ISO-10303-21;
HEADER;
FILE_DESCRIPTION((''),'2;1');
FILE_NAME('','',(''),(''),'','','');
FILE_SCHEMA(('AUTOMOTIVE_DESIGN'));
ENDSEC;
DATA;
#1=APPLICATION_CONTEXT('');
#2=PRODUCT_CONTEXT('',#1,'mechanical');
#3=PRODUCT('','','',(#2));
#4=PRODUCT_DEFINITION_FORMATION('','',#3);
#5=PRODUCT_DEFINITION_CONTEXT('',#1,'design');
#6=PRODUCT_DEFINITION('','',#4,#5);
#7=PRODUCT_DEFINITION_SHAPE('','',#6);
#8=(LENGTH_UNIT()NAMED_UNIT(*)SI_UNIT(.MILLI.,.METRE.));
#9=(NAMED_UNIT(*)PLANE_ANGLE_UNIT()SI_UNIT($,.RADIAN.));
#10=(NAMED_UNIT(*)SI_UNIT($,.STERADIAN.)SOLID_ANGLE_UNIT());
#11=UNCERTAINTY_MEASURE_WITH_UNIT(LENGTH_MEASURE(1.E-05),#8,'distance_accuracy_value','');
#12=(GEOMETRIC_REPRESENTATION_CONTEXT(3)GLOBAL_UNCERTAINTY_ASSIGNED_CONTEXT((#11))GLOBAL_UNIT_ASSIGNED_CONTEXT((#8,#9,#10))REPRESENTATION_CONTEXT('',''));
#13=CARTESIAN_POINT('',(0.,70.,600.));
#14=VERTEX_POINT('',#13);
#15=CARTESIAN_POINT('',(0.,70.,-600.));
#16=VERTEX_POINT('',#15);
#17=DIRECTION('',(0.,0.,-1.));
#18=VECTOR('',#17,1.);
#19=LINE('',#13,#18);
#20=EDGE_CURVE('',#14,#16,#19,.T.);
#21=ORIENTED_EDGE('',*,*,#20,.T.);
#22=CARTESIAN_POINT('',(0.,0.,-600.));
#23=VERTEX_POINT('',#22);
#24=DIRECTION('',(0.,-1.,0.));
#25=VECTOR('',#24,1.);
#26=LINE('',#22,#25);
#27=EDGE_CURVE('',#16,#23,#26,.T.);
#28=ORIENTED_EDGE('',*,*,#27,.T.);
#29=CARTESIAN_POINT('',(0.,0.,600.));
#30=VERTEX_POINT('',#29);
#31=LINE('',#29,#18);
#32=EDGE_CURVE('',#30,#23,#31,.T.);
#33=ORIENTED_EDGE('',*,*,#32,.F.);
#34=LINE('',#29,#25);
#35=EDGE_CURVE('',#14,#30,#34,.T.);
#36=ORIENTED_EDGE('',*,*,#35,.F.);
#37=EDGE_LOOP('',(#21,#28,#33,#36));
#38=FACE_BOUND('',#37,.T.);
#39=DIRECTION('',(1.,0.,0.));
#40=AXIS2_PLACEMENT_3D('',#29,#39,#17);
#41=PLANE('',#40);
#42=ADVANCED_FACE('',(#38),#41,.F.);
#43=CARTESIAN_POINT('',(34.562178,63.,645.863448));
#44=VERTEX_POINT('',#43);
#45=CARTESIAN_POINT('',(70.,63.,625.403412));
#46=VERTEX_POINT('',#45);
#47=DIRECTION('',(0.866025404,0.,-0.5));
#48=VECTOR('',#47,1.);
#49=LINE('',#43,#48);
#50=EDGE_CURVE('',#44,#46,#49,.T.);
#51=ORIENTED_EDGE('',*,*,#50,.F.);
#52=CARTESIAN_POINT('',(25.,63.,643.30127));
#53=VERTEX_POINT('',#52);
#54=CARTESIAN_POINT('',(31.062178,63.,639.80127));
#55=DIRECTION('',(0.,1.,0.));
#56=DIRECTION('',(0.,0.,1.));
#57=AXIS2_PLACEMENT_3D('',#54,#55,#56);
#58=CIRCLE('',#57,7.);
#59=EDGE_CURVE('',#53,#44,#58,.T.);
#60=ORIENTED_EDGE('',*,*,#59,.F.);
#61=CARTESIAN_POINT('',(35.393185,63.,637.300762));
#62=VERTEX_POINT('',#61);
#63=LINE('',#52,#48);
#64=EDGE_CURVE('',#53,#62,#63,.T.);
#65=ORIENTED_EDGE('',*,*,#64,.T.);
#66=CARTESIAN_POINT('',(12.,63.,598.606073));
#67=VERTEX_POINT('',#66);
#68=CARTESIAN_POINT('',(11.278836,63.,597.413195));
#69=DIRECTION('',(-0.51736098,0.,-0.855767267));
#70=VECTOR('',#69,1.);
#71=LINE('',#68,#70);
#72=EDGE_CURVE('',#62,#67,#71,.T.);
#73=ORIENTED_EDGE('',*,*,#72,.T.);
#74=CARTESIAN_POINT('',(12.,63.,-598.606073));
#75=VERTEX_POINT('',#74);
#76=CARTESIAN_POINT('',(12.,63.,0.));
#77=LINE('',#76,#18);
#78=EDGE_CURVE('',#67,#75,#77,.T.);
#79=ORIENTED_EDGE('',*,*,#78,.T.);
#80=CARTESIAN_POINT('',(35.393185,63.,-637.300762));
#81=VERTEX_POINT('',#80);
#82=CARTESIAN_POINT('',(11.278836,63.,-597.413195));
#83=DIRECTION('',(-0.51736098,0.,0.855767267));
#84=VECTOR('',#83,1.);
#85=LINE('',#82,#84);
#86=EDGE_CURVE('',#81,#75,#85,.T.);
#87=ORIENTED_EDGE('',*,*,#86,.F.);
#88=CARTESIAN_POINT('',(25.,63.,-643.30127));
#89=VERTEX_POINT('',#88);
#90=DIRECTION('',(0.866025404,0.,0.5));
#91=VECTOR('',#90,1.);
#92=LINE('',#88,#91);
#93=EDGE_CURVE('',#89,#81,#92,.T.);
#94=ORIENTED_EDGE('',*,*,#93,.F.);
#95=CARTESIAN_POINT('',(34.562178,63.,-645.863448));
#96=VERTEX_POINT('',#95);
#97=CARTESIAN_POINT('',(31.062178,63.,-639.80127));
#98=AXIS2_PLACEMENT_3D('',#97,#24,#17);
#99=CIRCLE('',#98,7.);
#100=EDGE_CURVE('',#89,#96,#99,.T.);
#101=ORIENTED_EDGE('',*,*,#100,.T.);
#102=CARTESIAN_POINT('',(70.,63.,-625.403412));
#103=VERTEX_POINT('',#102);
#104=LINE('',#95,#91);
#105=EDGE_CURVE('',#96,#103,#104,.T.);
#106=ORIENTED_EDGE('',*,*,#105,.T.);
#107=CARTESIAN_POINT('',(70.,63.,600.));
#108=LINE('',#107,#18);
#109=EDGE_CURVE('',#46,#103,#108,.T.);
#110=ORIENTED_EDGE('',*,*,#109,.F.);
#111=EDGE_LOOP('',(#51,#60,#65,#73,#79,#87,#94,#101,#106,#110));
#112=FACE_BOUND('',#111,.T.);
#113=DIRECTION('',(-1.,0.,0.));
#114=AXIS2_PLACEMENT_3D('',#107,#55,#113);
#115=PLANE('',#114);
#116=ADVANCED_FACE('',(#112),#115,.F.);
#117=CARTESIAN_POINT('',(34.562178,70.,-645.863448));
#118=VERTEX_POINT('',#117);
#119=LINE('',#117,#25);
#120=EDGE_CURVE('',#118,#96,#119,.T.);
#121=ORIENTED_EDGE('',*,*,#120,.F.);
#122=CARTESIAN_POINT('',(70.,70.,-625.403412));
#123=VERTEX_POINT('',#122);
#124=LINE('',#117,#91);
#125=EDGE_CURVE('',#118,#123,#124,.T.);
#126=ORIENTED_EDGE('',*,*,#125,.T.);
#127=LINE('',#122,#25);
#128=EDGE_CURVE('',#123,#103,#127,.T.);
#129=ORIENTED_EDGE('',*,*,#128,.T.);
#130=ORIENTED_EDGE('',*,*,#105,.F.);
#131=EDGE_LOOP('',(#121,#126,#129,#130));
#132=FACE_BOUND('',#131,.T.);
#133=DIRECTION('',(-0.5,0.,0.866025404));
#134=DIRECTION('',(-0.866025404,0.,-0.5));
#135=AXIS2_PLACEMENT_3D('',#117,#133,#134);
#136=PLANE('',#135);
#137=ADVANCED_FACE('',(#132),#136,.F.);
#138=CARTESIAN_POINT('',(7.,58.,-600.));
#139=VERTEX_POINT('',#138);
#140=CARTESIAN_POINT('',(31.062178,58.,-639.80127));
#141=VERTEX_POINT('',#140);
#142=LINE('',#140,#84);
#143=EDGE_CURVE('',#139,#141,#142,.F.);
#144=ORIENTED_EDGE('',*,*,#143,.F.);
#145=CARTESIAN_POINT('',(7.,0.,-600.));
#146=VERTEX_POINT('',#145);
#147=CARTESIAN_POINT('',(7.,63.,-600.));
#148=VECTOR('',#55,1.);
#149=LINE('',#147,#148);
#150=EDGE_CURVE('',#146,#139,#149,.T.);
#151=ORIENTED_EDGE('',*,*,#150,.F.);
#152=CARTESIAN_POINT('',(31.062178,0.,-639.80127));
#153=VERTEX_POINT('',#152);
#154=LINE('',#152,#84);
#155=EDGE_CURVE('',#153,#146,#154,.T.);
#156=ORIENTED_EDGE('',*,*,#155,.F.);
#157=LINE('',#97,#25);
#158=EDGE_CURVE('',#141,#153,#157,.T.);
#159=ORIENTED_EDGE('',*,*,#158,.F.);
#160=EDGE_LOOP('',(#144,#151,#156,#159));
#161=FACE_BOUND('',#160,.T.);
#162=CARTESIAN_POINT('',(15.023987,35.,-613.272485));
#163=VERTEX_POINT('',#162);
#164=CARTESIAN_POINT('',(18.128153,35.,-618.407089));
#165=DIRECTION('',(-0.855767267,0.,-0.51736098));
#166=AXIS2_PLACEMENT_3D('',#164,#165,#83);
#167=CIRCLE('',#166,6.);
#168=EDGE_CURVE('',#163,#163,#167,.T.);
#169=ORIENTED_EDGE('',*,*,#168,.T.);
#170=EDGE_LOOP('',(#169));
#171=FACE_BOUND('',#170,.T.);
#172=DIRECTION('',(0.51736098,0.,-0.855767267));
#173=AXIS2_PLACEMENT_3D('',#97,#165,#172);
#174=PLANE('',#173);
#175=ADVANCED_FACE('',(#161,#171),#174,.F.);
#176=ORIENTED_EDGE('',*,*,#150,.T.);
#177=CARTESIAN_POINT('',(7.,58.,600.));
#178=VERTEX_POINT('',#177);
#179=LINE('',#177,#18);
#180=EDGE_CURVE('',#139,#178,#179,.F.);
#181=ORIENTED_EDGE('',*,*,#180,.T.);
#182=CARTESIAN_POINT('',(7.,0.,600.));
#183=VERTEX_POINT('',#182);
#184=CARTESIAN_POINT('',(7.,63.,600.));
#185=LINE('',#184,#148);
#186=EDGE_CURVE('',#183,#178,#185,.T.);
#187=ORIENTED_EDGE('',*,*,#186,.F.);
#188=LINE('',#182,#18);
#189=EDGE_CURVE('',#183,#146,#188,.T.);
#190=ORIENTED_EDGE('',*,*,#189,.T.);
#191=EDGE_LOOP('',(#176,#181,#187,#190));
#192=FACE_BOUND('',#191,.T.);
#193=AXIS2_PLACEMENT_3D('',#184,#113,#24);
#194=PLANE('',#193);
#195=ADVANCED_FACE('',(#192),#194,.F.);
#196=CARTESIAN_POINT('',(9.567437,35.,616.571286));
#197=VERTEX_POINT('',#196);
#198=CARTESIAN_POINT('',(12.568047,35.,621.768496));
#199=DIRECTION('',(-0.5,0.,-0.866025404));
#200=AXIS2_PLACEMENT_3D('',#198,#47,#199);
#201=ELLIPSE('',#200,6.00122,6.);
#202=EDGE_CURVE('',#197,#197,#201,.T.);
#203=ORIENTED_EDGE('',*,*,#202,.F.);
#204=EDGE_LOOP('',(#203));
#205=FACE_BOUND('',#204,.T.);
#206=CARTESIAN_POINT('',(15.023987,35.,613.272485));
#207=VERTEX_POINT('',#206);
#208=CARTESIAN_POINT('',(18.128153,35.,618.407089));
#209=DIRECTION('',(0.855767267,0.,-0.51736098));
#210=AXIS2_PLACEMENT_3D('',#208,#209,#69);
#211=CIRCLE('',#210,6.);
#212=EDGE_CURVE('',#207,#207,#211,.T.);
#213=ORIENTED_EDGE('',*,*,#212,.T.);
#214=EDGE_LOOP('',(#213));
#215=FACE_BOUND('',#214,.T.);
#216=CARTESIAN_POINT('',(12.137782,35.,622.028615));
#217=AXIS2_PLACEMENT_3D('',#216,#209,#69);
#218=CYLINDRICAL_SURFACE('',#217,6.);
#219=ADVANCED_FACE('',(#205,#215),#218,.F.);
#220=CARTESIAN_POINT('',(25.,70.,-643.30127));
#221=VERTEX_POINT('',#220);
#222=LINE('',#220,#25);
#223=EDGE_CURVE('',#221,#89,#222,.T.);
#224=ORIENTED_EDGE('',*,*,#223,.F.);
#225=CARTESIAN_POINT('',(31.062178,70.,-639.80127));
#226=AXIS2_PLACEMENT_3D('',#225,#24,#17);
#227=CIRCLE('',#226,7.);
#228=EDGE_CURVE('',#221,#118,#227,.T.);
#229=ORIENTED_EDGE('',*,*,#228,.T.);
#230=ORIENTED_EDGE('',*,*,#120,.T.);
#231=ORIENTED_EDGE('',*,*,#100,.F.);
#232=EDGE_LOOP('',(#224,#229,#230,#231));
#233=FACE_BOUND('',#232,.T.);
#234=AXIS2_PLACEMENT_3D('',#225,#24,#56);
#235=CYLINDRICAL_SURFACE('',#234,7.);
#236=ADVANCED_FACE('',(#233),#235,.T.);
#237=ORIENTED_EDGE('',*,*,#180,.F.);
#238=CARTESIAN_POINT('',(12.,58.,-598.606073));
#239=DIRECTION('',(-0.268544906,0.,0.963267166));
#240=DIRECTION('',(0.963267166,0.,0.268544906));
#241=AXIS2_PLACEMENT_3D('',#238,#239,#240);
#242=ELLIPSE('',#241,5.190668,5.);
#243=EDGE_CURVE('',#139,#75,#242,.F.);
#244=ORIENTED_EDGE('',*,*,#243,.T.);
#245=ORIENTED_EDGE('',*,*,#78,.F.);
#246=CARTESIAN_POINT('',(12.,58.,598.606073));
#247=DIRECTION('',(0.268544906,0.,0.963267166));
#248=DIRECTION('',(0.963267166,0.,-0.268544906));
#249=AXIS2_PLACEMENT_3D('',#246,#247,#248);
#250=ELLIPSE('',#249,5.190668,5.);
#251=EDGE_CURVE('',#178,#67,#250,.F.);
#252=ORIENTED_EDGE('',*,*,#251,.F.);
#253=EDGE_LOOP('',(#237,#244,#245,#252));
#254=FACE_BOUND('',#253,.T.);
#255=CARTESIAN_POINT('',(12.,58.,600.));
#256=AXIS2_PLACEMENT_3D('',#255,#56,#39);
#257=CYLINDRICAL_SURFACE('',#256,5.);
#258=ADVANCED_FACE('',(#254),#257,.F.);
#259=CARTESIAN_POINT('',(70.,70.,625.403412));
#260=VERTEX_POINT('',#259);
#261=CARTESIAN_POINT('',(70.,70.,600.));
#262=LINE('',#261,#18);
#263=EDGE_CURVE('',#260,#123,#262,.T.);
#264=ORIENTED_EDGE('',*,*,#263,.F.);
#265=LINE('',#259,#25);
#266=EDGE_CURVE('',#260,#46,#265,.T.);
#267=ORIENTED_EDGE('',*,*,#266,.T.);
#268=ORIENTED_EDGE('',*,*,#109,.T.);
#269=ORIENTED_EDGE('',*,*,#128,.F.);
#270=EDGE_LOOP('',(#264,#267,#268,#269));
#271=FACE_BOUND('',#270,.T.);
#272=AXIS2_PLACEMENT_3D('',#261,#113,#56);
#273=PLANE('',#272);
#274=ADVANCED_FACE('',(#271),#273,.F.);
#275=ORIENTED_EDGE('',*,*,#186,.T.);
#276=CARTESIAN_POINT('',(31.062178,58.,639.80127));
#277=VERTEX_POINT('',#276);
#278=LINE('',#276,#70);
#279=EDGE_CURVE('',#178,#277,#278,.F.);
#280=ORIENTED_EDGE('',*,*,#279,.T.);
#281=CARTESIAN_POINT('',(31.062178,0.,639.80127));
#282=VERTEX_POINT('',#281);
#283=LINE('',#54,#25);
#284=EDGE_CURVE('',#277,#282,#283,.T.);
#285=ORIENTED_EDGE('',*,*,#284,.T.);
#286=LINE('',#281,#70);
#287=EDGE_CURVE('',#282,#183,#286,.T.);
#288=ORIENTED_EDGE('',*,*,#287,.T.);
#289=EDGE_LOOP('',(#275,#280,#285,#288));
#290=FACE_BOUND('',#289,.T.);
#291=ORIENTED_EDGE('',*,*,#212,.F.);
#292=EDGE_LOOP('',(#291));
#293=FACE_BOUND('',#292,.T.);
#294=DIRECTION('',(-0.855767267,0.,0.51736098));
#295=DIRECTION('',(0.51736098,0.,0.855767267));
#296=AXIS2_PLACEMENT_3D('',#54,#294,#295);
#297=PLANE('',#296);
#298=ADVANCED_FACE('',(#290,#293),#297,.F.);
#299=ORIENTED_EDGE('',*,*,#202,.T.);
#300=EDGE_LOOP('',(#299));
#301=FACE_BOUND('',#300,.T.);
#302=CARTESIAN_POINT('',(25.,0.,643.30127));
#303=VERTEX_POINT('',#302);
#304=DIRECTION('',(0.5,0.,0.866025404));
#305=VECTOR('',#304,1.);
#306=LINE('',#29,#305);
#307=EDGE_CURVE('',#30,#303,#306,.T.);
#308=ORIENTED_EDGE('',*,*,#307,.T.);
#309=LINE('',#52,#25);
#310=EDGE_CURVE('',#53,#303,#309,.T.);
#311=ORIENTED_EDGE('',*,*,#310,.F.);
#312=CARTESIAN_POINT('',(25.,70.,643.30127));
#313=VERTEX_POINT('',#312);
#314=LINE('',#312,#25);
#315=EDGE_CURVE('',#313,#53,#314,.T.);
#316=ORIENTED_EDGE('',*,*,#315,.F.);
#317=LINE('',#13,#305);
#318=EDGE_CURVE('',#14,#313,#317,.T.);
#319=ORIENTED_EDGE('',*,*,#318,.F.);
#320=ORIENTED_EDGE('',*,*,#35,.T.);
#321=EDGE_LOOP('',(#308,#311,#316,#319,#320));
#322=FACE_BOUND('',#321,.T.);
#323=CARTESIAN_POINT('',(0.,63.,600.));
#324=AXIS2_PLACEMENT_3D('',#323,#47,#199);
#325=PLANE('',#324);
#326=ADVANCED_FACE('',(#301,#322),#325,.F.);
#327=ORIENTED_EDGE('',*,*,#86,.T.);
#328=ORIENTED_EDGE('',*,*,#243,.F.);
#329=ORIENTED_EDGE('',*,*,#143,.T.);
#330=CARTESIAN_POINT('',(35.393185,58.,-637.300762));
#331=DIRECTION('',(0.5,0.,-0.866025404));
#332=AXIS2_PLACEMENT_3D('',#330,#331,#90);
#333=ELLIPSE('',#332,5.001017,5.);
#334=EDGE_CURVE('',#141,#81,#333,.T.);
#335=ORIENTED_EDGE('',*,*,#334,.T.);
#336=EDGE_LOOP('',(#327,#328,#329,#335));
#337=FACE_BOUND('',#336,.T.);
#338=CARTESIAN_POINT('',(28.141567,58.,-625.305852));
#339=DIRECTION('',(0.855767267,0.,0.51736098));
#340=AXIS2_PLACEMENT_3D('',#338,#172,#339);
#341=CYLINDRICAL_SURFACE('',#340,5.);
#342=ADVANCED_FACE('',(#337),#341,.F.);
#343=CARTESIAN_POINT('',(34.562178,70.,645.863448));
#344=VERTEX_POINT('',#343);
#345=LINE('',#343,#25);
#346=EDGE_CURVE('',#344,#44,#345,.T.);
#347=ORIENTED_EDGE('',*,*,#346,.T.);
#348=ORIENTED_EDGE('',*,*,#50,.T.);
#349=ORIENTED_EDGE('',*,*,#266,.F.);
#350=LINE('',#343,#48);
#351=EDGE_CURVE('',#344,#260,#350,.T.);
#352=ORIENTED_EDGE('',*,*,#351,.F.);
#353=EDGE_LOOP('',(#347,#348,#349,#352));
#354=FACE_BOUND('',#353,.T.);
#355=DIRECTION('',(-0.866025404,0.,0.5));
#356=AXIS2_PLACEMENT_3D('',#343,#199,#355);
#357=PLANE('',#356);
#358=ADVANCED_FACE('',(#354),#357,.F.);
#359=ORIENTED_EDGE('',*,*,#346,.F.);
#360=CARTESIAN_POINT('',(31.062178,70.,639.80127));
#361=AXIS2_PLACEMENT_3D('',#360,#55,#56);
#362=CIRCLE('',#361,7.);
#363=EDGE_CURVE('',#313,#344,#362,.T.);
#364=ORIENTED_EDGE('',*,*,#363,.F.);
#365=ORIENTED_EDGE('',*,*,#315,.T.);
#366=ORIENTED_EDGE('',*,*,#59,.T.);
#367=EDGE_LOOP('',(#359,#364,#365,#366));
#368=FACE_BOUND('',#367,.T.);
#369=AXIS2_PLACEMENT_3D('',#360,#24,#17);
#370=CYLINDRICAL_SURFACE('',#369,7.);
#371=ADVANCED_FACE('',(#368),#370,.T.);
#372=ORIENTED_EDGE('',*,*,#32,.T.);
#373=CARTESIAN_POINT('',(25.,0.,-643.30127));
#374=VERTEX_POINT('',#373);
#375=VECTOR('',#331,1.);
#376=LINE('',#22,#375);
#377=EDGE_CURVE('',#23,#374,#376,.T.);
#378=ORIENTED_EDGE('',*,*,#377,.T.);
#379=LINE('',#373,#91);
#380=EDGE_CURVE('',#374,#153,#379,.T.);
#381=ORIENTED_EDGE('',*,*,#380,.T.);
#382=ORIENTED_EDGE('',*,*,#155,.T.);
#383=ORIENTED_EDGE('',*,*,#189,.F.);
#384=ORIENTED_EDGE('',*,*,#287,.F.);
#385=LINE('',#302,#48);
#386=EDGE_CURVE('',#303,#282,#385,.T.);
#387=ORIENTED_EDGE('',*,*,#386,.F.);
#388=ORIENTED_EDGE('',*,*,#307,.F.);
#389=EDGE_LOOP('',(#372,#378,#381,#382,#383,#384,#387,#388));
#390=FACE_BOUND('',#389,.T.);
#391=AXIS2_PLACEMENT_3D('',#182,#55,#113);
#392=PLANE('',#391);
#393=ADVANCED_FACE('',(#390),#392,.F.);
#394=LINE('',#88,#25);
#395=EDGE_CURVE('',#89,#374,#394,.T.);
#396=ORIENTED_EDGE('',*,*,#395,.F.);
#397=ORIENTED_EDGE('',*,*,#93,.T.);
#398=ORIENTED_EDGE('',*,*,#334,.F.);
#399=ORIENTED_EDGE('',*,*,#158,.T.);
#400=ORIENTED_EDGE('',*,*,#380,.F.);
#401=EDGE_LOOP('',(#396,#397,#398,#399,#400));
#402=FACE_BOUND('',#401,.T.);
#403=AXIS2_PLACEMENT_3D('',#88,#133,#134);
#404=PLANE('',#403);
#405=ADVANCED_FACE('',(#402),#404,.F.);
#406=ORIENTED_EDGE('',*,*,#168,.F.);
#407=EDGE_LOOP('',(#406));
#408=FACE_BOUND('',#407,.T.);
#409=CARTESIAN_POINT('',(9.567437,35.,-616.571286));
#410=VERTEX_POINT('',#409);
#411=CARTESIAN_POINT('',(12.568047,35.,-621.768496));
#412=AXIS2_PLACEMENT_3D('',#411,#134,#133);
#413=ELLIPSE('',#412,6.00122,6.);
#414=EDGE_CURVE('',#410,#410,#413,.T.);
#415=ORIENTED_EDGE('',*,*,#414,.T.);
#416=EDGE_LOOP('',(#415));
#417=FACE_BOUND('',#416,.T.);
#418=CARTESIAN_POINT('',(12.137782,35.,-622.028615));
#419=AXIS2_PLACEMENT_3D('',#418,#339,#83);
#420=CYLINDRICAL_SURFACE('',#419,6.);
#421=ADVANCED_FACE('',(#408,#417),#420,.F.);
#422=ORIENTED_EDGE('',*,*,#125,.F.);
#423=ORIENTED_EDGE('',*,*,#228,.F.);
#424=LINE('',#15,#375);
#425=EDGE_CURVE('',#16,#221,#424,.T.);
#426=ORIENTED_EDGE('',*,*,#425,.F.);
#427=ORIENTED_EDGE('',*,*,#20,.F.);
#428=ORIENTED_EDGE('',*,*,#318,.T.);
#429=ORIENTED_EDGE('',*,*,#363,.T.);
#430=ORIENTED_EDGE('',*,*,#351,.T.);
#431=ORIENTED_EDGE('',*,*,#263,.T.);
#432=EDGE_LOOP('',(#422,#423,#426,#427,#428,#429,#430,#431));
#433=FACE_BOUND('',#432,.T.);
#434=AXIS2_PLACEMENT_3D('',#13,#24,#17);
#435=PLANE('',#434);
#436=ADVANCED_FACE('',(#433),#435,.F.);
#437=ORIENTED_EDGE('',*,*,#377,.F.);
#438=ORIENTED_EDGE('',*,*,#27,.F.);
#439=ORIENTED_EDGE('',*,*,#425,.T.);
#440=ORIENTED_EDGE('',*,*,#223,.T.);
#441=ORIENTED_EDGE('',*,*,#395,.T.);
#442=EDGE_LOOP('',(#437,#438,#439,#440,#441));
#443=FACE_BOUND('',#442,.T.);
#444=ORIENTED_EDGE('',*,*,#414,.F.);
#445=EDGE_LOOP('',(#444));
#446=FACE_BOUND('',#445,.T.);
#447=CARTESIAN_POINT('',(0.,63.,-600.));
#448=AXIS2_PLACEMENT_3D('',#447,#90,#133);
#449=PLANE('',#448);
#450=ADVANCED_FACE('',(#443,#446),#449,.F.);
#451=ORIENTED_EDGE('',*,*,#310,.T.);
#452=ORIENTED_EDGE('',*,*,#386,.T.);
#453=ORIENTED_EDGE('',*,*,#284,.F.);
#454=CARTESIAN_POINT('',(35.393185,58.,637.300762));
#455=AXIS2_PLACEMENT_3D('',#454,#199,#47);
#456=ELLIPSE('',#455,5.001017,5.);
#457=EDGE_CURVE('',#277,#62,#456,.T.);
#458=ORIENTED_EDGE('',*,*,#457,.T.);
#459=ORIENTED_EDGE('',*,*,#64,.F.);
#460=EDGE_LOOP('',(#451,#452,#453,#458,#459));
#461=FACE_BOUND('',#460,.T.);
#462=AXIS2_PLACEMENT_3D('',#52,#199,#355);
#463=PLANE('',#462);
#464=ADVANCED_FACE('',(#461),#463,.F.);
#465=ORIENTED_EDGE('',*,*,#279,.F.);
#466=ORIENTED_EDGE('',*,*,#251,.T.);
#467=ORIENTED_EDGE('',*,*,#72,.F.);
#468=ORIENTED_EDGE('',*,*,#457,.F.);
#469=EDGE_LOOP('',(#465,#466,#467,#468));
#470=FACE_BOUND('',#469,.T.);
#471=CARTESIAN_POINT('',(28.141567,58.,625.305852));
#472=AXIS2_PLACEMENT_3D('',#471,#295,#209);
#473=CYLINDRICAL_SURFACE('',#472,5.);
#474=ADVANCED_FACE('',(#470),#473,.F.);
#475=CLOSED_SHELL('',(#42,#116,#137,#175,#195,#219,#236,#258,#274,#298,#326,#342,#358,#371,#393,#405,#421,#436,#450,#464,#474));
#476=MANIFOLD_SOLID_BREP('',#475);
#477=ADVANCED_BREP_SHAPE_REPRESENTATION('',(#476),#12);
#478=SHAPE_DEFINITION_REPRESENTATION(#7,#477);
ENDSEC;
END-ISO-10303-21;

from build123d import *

# Parameters (mm, degrees)
BOSS_EXTRUDE1_DEPTH = 600
BOSS_EXTRUDE2_DEPTH = 63
BOSS_EXTRUDE4_DEPTH = 7
SKETCH10_R          = 6
CUT_EXTRUDE3_DEPTH  = 7
FILLET5_R           = 5


with BuildPart() as part:
    # Sketch1 → Boss-Extrude1 (new body)
    with BuildSketch(Plane.XY):
        Polygon((0, 0), (0, 70), (70, 70), (70, 63), (7, 63), (7, 0), align=None)
    extrude(amount=BOSS_EXTRUDE1_DEPTH)

    # Sketch2 → Boss-Extrude2 (add)
    with BuildSketch(Plane(origin=(0, 0, 0), x_dir=(1, 0, 0), z_dir=(0, 1, 0))):
        Polygon((0, -600), (25, -643.301270189), (31.062177826, -639.801270189), (7, -600), align=None)
    extrude(amount=BOSS_EXTRUDE2_DEPTH)

    # Sketch9 → Boss-Extrude4 (add)
    with BuildSketch(Plane(origin=(0, 63, 0), x_dir=(1, 0, 0), z_dir=(0, 1, 0))):
        with BuildLine():
            Line((0, -600), (25, -643.301270189))
            ThreePointArc((25, -643.301270189), (29.250444511, -646.562750973), (34.562177826, -645.863448016))
            Line((34.562177826, -645.863448016), (70, -625.403411844))
            Line((70, -625.403411844), (70, -600))
            Line((70, -600), (0, -600))
        make_face()
    extrude(amount=BOSS_EXTRUDE4_DEPTH)

    # Sketch10 → Cut-Extrude3 (cut)
    with BuildSketch(Plane(origin=(-260.517992164, 0, 157.498246278), x_dir=(-0.5173609804017633, 0, -0.8557672674026079), z_dir=(0.8557672674026079, 0, -0.5173609804017633))):
        with Locations((-538.591343444, 35)):
            Circle(SKETCH10_R)
    extrude(amount=-CUT_EXTRUDE3_DEPTH, mode=Mode.SUBTRACT)

    # Fillet5
    fillet5_edges = [part.edges().sort_by_distance(p)[0] for p in [
        (7, 63, 300),
        (19.031088913, 63, 619.900635095),
    ]]
    fillet(fillet5_edges, radius=FILLET5_R)

    # Mirror6: part across plane


with BuildPart() as part_1:
    add(part.part)
    add(part.part.mirror(Plane.XY))


solid = part_1.part
